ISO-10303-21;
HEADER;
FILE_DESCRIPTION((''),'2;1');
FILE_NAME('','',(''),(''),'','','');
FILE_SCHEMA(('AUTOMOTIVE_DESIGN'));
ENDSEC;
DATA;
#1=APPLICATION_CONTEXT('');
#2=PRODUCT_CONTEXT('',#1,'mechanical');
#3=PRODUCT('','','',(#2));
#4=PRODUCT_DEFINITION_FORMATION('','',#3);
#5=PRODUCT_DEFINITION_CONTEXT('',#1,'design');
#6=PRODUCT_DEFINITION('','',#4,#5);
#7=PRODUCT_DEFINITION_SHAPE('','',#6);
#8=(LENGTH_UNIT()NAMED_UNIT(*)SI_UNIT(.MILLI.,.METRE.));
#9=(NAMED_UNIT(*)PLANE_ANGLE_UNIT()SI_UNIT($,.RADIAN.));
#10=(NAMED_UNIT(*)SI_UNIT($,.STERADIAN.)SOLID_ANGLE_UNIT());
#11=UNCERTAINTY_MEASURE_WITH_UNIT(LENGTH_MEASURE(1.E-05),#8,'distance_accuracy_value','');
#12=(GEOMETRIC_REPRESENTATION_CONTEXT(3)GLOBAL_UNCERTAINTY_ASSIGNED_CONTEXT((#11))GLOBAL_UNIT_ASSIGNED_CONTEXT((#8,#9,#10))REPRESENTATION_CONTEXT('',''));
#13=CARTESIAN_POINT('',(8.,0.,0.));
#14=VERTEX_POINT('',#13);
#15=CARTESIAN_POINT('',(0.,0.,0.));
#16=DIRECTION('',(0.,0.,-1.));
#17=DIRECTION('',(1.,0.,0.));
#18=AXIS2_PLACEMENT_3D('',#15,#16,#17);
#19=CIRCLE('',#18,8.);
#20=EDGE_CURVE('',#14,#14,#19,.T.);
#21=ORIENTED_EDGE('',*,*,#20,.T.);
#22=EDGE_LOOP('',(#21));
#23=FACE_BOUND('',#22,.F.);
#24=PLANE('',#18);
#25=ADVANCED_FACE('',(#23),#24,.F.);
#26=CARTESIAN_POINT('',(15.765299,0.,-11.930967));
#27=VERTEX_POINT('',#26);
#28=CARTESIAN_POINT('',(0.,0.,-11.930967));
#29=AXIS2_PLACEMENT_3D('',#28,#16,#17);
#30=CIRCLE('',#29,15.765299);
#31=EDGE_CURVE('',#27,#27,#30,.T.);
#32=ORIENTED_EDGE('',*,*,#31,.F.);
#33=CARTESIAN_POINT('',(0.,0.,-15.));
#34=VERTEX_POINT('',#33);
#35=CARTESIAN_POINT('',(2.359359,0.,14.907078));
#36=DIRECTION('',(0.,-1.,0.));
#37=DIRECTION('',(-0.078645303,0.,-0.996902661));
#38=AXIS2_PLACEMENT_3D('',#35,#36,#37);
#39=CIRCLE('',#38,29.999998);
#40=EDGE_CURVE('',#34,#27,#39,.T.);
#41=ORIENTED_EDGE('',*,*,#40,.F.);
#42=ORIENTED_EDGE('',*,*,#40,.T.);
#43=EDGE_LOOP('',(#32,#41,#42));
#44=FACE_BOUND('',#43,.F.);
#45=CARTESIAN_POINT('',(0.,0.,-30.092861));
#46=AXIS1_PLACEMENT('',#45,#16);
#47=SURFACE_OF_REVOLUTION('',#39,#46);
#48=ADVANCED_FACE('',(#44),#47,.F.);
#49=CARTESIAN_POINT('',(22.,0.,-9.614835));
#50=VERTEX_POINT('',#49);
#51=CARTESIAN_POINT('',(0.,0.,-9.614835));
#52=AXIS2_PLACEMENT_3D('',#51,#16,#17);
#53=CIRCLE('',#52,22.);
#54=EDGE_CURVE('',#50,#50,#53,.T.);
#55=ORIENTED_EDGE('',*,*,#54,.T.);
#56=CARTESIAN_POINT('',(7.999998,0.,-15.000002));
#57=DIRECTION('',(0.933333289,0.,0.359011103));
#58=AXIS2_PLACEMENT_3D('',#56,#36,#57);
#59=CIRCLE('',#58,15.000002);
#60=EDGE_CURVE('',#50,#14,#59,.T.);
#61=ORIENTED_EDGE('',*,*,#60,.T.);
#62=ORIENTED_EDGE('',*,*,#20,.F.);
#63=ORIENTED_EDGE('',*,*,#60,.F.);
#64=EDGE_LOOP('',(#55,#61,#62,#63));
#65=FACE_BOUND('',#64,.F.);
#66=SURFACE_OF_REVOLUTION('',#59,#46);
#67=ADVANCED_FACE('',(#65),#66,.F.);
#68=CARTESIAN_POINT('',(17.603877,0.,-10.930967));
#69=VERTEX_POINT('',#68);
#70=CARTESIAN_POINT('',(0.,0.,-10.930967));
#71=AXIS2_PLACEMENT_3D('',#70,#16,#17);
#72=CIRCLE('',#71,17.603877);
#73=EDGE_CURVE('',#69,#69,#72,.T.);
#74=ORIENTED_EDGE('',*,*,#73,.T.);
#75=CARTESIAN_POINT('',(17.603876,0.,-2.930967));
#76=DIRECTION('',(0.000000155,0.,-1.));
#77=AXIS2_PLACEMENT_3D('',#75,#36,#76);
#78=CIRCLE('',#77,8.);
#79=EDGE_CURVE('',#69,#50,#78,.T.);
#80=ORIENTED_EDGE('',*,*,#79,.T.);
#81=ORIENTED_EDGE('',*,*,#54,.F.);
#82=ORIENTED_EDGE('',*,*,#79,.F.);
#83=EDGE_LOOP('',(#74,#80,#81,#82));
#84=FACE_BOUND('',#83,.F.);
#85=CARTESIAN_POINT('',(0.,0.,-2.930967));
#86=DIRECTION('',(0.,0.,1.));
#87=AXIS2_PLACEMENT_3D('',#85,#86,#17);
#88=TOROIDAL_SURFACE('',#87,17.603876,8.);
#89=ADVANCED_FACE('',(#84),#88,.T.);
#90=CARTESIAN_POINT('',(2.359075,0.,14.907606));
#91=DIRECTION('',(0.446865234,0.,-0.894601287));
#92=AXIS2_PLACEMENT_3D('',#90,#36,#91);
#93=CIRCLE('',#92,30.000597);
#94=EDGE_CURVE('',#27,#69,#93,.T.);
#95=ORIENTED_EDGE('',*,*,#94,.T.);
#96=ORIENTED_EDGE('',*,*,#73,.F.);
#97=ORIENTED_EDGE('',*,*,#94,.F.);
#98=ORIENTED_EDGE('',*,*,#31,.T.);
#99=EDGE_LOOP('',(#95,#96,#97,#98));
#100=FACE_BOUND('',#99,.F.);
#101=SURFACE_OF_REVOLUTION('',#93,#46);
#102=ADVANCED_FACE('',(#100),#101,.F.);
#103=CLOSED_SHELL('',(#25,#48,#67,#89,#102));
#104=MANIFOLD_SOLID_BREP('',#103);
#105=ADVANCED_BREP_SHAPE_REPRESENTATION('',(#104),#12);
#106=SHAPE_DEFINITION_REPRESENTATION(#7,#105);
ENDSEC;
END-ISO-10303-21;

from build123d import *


with BuildPart() as f1:
    # F0 (on Front) → F1 (revolve)
    with BuildSketch(Plane.XZ):
        with BuildLine():
            Line((15.765299, -11.930967), (0, -11.930967))
            Line((0, -11.930967), (0, -15))
            ThreePointArc((0, -15), (8.091852, -14.540136), (15.765299, -11.930967))
        make_face()
        with BuildLine():
            Line((17.603877, -10.930967), (0, -10.930967))
            Line((0, -10.930967), (0, -11.930967))
            Line((0, -11.930967), (15.765299, -11.930967))
            ThreePointArc((15.765299, -11.930967), (16.693311, -11.447005), (17.603877, -10.930967))
        make_face()
        with BuildLine():
            Line((8, 0), (0, 0))
            Line((0, 0), (0, -10.930967))
            Line((0, -10.930967), (17.603877, -10.930967))
            ThreePointArc((17.603877, -10.930967), (19.898332, -10.594874), (22, -9.614835))
            ThreePointArc((22, -9.614835), (16.491835, -2.635182), (8, 0))
        make_face()
    revolve(axis=Axis((0, 0, -30.092861), (0, 0, -1)))


solid = f1.part
